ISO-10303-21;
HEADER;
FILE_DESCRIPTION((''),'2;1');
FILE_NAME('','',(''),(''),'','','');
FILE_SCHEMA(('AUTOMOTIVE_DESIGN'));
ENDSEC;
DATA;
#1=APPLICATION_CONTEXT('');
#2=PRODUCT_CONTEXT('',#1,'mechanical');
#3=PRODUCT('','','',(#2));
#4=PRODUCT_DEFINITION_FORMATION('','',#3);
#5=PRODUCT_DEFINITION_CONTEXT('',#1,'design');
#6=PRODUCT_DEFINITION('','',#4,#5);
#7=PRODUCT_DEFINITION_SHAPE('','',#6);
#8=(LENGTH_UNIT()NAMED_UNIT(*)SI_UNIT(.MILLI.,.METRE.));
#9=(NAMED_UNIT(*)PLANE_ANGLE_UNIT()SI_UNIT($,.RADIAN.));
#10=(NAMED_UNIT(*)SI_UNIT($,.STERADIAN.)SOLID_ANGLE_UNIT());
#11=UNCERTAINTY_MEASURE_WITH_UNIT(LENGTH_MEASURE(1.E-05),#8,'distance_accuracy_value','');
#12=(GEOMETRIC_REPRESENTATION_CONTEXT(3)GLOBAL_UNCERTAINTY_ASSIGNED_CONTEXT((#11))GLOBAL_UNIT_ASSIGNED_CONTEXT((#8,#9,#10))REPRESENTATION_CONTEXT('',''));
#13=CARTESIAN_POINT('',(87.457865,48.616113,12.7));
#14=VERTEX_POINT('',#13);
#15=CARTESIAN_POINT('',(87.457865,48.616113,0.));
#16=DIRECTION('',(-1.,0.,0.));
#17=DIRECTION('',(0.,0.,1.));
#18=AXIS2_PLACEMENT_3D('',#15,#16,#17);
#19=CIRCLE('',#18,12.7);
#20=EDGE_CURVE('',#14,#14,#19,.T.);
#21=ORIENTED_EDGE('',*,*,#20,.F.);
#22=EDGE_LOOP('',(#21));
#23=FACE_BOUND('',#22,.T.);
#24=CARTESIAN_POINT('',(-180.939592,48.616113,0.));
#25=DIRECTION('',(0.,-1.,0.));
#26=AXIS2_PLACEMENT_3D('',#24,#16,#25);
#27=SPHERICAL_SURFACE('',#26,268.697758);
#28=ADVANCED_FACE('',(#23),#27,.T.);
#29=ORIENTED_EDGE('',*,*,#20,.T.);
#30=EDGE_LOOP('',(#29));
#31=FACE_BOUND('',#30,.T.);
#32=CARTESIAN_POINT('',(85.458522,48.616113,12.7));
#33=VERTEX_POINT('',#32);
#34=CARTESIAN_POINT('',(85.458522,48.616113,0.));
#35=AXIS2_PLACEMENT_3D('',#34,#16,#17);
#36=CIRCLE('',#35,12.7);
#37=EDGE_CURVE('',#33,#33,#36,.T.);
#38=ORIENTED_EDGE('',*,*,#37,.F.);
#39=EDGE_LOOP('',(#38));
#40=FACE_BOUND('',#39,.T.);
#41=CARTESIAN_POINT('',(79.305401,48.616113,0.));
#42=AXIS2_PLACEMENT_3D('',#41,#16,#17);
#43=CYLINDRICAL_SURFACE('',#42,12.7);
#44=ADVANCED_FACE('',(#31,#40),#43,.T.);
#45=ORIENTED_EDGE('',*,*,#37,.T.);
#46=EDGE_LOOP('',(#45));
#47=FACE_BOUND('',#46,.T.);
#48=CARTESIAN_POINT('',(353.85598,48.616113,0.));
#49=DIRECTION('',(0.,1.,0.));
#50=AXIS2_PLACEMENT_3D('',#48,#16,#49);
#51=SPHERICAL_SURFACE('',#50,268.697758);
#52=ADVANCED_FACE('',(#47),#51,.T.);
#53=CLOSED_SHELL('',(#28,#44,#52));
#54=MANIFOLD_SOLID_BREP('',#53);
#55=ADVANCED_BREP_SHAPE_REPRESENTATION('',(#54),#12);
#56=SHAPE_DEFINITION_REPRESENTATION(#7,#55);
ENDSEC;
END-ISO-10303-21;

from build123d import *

# Parameters (mm, degrees)
SKETCH_1_ONE_SIDE_W = 1.999342857
SKETCH_1_ONE_SIDE_H = 12.7


with BuildPart() as part:
    # 草图1 one side → 旋转1 (revolve)
    with BuildSketch(Plane.XY, mode=Mode.PRIVATE) as revolve_1_sk:
        with Locations((86.458193775, 54.966113023)):
            Rectangle(SKETCH_1_ONE_SIDE_W, SKETCH_1_ONE_SIDE_H)
        with BuildLine():
            Line((85.158221775, 48.616113023), (85.458522346, 48.616113023))
            Line((85.458522346, 48.616113023), (85.458522346, 61.316113023))
            ThreePointArc((85.458522346, 61.316113023), (85.233307409, 54.96788798), (85.158221775, 48.616113023))
        make_face()
        with BuildLine():
            Line((87.457865203, 48.616113023), (87.758165775, 48.616113023))
            ThreePointArc((87.758165775, 48.616113023), (87.683080141, 54.96788798), (87.457865203, 61.316113023))
            Line((87.457865203, 61.316113023), (87.457865203, 48.616113023))
        make_face()
    revolve(revolve_1_sk.sketch.rotate(Axis((79.305401351, 48.616113023, 0), (1, 0, 0)), 90), axis=Axis((79.305401351, 48.616113023, 0), (1, 0, 0)))  # turned: the seam where the file's is


solid = part.part
